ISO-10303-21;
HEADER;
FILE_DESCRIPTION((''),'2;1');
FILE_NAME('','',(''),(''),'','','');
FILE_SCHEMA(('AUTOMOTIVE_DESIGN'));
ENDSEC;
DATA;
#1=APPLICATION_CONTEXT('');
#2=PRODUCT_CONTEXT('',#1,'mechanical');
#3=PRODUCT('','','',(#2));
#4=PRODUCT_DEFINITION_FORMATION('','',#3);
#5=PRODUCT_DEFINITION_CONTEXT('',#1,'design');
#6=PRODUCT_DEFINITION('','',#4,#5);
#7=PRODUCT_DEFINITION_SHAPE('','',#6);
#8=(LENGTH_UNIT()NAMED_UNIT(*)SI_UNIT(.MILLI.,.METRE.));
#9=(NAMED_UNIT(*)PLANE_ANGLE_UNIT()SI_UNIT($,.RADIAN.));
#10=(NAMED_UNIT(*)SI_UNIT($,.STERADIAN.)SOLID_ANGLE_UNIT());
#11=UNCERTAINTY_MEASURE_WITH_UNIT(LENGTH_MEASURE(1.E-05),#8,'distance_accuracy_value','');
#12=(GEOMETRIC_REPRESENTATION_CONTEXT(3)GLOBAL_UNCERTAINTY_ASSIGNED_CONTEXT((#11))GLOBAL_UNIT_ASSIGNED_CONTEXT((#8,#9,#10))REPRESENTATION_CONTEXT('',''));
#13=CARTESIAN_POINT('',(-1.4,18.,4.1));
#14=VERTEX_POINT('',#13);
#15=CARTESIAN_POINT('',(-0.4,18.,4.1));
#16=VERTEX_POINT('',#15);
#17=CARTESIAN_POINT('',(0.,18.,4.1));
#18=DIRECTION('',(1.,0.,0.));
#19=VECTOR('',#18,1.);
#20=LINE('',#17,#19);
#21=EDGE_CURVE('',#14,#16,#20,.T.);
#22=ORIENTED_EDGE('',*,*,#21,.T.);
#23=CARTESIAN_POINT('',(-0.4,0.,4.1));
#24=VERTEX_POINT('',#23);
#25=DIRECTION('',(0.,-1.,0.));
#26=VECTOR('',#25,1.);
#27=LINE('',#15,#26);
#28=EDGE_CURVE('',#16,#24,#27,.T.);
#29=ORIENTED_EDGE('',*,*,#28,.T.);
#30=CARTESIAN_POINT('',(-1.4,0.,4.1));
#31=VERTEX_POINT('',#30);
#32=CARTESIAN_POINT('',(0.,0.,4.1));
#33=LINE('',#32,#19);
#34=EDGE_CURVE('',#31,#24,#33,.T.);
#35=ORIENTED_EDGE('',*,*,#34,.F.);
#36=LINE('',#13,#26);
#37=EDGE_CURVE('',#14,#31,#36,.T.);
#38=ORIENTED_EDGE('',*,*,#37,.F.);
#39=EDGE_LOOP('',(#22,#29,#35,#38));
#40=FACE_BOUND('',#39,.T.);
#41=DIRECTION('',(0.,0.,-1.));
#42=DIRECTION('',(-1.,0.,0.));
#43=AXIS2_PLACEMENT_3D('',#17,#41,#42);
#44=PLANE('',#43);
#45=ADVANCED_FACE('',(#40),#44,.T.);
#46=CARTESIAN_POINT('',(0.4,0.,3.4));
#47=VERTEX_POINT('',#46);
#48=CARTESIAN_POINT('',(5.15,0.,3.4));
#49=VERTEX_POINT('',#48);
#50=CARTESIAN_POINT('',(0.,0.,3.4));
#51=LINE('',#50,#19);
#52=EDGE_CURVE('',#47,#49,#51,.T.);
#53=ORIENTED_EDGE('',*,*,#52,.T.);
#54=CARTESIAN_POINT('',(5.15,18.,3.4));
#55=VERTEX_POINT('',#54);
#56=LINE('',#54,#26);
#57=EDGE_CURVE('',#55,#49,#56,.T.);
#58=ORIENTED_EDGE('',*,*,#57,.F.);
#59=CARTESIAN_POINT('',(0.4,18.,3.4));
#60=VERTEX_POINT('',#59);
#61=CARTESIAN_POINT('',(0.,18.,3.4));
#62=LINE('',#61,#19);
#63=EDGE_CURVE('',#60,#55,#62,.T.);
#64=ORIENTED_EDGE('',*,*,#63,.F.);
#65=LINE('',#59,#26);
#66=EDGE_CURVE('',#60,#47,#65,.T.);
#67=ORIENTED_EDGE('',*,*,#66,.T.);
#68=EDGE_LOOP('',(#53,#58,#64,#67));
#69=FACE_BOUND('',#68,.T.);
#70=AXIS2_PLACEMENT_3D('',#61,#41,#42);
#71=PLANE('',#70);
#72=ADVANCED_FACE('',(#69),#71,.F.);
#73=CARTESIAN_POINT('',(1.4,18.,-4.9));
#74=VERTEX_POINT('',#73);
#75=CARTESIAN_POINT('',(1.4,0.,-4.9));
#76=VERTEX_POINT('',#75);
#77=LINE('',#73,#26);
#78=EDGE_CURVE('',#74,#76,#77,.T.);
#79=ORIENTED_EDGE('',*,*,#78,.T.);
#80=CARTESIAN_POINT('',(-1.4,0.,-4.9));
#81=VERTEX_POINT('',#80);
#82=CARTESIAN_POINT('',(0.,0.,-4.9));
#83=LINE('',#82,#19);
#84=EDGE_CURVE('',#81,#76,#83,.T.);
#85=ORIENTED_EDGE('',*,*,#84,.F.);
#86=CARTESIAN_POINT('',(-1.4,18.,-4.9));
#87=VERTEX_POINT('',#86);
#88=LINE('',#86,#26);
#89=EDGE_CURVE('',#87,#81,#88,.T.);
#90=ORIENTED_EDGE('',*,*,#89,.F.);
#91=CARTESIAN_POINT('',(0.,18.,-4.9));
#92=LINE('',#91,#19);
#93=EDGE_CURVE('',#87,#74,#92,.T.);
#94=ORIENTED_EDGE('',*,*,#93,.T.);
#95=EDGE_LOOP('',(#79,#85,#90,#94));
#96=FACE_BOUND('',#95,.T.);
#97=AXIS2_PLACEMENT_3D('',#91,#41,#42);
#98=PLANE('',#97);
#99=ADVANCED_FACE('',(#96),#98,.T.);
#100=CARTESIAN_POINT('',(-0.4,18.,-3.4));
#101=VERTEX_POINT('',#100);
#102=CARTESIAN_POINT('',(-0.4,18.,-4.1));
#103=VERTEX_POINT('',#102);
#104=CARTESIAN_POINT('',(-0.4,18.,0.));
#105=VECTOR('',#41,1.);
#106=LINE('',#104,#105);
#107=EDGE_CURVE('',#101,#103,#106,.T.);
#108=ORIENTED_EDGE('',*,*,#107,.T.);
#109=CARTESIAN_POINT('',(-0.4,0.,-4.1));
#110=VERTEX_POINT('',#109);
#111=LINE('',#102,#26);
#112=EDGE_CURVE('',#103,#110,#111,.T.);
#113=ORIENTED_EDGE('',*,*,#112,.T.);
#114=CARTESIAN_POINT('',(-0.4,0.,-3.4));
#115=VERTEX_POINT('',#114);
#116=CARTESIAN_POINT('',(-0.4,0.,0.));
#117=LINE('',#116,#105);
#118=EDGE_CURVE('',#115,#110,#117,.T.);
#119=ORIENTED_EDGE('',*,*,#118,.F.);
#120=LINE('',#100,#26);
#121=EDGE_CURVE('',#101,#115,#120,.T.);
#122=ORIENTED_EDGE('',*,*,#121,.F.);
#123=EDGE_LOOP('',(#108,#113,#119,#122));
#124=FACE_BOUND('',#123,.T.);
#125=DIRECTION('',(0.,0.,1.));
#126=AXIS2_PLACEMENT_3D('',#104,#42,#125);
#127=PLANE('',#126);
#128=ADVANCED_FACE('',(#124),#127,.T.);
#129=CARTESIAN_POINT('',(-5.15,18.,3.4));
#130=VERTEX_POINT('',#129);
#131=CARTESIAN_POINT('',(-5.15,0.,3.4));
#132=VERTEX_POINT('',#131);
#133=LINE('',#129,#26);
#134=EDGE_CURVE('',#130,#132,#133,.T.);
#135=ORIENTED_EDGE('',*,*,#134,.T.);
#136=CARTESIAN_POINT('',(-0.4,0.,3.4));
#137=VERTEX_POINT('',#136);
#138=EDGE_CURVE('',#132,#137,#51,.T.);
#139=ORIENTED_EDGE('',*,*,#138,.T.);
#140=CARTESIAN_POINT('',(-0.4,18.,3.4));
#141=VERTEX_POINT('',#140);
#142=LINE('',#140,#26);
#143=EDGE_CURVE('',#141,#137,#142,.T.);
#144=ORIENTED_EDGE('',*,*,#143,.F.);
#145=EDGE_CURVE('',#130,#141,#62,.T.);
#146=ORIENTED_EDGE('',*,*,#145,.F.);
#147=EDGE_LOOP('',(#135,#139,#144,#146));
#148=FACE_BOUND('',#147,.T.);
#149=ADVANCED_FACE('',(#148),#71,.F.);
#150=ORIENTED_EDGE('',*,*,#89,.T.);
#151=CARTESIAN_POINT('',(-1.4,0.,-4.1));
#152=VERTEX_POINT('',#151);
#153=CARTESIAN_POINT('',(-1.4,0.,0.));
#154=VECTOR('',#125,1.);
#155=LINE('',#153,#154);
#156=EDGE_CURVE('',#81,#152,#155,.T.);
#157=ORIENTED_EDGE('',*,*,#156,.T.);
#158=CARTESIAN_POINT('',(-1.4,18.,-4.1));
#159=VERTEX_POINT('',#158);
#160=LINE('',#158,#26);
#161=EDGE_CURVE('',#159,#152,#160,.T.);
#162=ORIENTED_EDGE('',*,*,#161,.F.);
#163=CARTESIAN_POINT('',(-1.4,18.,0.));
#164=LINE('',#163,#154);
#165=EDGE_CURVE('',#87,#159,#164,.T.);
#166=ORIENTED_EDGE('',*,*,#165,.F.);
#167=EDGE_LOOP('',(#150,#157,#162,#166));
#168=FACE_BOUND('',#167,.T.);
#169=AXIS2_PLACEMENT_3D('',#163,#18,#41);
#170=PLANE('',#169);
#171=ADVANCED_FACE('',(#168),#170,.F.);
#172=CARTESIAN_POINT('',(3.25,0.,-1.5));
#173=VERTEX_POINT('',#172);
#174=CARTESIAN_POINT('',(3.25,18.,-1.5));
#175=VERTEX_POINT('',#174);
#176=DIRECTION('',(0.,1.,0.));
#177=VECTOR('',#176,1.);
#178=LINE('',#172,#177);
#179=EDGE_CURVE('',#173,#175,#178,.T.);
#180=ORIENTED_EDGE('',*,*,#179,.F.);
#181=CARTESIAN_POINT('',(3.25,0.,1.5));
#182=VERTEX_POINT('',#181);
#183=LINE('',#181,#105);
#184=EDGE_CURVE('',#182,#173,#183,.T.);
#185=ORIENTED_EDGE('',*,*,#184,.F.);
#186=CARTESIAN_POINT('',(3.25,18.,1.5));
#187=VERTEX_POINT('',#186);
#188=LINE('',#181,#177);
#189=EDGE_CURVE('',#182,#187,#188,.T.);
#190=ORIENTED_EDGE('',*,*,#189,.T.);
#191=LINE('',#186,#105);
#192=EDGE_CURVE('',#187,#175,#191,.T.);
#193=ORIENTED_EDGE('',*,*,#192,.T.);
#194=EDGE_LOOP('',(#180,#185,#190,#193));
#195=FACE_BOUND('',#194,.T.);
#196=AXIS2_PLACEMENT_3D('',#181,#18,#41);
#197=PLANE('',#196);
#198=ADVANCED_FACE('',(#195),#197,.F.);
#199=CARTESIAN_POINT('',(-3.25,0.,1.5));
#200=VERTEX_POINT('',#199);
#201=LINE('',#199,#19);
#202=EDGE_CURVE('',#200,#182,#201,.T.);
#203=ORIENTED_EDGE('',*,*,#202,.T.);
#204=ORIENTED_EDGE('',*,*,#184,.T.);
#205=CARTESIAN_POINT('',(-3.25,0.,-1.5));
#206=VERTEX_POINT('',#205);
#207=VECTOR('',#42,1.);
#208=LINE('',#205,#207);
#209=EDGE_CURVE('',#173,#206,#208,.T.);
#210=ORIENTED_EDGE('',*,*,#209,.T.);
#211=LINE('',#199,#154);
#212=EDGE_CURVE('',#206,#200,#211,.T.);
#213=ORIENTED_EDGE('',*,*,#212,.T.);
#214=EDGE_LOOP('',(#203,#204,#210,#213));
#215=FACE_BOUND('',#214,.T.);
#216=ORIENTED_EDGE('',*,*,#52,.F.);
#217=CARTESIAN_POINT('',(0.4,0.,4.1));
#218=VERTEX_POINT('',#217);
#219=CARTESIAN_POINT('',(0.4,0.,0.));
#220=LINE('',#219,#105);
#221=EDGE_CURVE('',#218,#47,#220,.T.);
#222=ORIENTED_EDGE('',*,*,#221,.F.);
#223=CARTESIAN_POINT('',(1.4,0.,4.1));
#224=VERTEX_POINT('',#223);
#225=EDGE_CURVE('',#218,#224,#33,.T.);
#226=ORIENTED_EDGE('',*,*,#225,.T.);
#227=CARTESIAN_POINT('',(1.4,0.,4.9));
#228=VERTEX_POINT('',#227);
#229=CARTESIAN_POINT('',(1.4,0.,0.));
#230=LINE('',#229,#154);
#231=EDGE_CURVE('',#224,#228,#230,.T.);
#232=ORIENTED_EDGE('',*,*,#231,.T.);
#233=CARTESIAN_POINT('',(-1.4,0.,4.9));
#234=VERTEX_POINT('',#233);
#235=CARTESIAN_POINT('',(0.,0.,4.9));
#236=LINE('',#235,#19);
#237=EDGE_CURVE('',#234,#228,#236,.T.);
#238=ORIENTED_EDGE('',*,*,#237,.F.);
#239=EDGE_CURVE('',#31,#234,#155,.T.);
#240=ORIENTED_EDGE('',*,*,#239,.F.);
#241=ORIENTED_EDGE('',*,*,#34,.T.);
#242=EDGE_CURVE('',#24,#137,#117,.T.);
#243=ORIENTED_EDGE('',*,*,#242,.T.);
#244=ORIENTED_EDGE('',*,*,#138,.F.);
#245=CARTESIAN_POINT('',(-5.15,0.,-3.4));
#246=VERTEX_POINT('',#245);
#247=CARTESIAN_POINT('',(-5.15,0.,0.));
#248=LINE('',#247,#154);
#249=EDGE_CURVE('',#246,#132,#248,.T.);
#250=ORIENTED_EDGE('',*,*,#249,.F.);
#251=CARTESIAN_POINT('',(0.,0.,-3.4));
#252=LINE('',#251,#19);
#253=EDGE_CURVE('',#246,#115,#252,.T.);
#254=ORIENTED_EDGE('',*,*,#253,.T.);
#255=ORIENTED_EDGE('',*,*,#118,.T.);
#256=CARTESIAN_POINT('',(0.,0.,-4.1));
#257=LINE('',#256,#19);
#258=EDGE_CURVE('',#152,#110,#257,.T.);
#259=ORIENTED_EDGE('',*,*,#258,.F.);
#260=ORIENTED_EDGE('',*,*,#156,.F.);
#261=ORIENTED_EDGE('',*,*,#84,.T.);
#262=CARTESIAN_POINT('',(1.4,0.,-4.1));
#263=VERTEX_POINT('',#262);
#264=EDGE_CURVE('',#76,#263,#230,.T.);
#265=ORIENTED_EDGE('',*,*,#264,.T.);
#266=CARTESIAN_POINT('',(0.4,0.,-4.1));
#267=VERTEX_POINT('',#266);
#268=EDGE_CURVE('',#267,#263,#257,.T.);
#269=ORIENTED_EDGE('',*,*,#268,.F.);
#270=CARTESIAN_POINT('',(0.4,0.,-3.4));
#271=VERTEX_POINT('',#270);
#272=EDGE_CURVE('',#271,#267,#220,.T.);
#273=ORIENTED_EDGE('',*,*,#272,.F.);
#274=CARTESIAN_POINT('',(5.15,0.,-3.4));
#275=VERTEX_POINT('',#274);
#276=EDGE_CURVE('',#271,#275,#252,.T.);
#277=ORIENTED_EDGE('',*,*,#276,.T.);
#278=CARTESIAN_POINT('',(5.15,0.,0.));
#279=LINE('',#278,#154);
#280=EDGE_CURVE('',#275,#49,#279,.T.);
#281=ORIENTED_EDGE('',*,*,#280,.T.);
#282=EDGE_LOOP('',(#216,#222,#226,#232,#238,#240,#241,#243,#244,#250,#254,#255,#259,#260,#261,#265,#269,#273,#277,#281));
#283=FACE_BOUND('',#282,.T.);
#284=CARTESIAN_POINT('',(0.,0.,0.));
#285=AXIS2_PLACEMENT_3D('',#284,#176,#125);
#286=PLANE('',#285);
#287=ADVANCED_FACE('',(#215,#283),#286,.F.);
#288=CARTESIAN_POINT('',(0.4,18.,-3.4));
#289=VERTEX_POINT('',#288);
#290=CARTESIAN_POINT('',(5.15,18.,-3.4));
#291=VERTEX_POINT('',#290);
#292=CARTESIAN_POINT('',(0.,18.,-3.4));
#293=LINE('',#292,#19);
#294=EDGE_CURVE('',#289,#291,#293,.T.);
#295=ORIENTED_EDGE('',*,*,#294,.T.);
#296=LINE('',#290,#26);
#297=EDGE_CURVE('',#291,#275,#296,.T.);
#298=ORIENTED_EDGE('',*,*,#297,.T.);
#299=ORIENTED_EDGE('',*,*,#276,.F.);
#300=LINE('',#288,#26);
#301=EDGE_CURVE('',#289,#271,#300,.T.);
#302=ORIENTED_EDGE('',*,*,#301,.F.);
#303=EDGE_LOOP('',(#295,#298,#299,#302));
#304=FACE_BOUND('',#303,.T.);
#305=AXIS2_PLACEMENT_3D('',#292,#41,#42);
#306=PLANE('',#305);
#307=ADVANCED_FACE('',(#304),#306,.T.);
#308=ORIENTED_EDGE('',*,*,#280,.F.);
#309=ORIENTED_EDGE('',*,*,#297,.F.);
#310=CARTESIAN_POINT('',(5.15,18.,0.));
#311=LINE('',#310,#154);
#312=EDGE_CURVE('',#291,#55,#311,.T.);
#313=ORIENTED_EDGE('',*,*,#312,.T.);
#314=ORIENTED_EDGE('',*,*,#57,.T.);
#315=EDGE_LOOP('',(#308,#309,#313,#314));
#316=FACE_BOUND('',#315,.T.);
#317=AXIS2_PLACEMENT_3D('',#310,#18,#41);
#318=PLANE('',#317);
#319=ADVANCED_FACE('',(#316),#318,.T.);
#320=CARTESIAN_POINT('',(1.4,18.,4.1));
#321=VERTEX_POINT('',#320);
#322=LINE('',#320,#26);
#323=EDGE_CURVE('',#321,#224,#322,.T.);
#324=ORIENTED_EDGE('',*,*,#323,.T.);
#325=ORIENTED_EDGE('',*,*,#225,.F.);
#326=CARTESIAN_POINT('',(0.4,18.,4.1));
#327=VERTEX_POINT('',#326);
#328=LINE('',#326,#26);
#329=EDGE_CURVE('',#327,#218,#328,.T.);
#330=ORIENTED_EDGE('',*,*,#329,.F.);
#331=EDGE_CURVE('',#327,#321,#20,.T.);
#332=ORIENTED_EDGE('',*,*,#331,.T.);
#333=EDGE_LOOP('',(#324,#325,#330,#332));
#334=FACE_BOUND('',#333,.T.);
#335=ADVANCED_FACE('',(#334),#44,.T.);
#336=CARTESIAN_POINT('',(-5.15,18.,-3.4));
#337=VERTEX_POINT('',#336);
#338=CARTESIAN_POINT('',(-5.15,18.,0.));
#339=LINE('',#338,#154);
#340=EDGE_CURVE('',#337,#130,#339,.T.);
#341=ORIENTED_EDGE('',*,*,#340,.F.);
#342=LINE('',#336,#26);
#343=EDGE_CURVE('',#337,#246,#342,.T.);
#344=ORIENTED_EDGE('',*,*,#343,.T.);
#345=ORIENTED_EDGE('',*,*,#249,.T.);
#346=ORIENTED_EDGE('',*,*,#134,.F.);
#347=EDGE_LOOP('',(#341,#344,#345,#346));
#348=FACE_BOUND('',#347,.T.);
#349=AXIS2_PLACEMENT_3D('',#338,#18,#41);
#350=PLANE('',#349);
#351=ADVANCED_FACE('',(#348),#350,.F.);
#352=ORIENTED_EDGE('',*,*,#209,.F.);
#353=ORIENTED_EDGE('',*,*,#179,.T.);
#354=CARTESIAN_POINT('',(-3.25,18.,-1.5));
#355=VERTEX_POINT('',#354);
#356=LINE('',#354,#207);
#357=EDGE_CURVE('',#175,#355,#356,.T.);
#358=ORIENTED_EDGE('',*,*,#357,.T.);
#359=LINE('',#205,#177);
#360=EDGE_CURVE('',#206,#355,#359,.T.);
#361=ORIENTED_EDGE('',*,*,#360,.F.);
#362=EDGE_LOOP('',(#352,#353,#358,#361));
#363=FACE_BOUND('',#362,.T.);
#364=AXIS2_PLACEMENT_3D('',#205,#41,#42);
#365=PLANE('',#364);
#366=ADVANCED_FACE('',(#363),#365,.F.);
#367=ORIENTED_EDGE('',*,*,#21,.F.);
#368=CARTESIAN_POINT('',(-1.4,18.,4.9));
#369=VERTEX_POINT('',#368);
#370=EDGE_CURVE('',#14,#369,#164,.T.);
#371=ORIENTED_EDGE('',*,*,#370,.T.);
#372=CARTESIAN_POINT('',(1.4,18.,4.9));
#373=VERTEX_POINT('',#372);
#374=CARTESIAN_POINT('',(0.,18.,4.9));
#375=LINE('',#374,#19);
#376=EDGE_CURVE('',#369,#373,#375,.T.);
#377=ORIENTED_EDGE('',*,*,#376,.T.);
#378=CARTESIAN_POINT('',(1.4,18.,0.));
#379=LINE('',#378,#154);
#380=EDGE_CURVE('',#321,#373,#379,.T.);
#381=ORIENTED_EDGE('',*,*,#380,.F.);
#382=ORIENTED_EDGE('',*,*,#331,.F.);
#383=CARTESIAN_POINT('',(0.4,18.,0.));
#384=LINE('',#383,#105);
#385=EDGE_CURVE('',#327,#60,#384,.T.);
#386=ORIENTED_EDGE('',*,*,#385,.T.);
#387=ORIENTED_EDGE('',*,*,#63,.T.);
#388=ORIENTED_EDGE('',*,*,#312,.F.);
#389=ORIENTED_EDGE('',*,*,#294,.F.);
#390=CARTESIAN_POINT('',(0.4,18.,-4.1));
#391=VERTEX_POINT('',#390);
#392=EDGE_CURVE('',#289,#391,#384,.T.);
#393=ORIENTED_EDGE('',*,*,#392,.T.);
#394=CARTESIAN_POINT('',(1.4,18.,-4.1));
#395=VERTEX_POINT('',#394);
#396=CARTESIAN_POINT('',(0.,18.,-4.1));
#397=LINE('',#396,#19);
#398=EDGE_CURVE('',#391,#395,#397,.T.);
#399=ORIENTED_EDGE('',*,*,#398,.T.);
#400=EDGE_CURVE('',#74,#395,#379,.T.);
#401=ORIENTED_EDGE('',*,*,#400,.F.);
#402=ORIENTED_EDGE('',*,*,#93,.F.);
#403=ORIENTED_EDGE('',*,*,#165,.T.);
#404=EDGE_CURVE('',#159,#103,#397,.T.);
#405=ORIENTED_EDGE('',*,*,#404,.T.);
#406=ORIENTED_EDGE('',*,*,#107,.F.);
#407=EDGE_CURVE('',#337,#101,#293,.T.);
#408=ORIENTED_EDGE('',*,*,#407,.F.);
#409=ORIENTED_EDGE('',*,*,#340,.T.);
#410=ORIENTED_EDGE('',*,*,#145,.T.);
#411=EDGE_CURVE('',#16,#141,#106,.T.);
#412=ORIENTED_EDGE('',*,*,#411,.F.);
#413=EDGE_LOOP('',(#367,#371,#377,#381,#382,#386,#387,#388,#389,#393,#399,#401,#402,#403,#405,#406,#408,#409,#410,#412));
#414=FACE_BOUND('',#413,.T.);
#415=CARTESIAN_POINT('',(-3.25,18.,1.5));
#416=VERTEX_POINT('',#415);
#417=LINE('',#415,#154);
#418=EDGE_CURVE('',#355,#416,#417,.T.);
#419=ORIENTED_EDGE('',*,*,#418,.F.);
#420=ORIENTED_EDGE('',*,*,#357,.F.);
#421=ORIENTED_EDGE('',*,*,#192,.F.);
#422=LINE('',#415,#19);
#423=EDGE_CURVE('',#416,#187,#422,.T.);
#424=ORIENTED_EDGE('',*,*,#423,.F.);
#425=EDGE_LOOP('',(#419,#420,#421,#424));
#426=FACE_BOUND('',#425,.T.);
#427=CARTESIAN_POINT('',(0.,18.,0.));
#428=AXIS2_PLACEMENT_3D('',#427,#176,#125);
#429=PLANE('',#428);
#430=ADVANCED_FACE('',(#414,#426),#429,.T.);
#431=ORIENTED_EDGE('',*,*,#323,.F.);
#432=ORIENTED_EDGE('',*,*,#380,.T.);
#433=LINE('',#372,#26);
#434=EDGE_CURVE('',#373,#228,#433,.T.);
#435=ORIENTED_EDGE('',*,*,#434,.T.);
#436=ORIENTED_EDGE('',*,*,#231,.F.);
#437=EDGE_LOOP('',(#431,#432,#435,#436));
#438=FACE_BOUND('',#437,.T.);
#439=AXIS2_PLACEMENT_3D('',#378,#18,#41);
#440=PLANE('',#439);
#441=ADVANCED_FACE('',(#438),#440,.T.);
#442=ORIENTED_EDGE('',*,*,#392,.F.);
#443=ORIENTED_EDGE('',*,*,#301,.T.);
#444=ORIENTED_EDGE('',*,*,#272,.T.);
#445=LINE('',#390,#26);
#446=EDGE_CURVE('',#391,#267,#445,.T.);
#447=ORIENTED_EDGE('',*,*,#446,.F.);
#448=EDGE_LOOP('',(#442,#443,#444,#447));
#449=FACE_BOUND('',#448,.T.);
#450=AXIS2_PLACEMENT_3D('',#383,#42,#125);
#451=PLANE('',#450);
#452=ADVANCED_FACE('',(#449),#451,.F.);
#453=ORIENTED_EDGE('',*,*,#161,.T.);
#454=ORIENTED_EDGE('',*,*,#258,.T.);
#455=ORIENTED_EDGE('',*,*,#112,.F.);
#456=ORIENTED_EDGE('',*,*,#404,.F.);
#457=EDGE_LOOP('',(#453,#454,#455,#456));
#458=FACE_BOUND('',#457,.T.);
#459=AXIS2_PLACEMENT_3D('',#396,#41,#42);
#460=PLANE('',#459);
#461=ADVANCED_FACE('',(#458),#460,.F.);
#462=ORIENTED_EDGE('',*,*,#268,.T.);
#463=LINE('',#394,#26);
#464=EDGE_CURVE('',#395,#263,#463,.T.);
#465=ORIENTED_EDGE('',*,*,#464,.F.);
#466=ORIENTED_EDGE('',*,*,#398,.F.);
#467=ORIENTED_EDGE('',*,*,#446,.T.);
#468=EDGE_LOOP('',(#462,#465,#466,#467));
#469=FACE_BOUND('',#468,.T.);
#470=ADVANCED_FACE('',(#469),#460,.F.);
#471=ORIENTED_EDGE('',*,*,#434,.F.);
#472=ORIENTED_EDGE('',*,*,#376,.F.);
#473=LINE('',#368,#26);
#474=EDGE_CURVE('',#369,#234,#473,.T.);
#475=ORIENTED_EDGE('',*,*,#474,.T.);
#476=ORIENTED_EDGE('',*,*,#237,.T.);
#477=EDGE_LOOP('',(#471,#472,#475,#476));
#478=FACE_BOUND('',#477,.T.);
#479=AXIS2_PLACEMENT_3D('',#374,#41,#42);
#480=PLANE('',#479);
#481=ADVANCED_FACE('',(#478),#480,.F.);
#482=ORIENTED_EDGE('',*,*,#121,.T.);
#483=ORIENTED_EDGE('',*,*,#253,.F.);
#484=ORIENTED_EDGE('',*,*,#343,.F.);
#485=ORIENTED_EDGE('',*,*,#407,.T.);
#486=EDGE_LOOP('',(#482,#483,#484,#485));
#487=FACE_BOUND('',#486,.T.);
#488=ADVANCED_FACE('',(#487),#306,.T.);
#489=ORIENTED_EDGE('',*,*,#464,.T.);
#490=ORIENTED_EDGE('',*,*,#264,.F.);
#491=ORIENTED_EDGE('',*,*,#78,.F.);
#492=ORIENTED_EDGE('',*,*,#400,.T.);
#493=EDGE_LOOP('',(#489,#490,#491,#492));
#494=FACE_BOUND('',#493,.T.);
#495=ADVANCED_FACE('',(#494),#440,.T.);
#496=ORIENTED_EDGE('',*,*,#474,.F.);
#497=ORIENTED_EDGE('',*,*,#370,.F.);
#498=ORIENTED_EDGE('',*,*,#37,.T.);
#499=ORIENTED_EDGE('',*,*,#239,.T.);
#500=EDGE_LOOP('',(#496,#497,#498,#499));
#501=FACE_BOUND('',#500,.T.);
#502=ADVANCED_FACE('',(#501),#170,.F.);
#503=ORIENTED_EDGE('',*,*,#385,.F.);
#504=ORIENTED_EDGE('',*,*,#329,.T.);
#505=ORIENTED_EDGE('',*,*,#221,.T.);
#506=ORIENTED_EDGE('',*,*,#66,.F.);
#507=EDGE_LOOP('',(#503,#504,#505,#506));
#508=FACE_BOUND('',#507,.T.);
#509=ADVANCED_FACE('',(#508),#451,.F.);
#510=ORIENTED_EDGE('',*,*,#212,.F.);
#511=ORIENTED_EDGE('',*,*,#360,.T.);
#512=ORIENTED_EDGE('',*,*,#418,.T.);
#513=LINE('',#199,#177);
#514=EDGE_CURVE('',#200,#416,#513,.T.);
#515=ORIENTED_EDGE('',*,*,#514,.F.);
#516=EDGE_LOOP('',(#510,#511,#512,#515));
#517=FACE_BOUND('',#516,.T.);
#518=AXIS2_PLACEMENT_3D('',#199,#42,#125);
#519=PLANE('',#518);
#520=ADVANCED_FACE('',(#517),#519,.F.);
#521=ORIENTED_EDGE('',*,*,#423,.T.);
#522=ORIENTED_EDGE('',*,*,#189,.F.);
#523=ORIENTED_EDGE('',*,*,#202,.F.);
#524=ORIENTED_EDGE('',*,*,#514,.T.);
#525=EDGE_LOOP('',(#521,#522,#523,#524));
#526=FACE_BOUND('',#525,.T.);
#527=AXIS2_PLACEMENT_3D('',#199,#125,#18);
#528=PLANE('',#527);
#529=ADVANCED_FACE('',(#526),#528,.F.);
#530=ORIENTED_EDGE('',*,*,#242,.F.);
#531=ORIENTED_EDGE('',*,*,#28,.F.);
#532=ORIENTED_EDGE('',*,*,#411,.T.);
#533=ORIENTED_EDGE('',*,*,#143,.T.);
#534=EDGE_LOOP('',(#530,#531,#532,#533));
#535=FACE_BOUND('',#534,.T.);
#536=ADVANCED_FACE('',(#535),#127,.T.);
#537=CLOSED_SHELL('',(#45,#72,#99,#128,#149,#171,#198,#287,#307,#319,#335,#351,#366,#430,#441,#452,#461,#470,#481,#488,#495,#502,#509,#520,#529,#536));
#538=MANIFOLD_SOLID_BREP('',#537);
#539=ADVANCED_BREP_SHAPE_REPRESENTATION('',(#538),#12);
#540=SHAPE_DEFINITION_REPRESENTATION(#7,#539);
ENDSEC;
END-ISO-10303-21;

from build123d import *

# Parameters (mm, degrees)
SKETCH3_W           = 2.8
SKETCH3_H           = 0.8
SKETCH3_W_2         = 0.8
SKETCH3_H_2         = 0.1
SKETCH3_H_3         = 0.4
SKETCH3_H_4         = 6.8
SKETCH3_W_3         = 0.1
SKETCH3_W_4         = 4.65
BOSS_EXTRUDE7_DEPTH = 18
SKETCH24_W          = 6.5
SKETCH24_H          = 3
CUT_EXTRUDE25_DEPTH = 18


with BuildPart() as part:
    # Sketch3 → Boss-Extrude7 (new body)
    with BuildSketch(Plane(origin=(0, 0, 0), x_dir=(1, 0, 0), z_dir=(0, 1, 0))):
        with Locations((0, 4.5)):
            Rectangle(SKETCH3_W, SKETCH3_H)
        with Locations((0, 4.05)):
            Rectangle(SKETCH3_W_2, SKETCH3_H_2)
        with Locations((0, 3.95)):
            Rectangle(SKETCH3_W_2, SKETCH3_H_2)
        with Locations((0, 3.7)):
            Rectangle(SKETCH3_W_2, SKETCH3_H_3)
        with Locations((0, 3.45)):
            Rectangle(SKETCH3_W_2, SKETCH3_H_2)
        Rectangle(SKETCH3_W_2, SKETCH3_H_4)
        with Locations((0.45, 0)):
            Rectangle(SKETCH3_W_3, SKETCH3_H_4)
        with Locations((2.825, 0)):
            Rectangle(SKETCH3_W_4, SKETCH3_H_4)
        with Locations((-0.45, 0)):
            Rectangle(SKETCH3_W_3, SKETCH3_H_4)
        with Locations((-2.825, 0)):
            Rectangle(SKETCH3_W_4, SKETCH3_H_4)
        with Locations((0, -3.45)):
            Rectangle(SKETCH3_W_2, SKETCH3_H_2)
        with Locations((0, -3.7)):
            Rectangle(SKETCH3_W_2, SKETCH3_H_3)
        with Locations((0, -3.95)):
            Rectangle(SKETCH3_W_2, SKETCH3_H_2)
        with Locations((0, -4.05)):
            Rectangle(SKETCH3_W_2, SKETCH3_H_2)
        with Locations((0, -4.5)):
            Rectangle(SKETCH3_W, SKETCH3_H)
    extrude(amount=BOSS_EXTRUDE7_DEPTH)

    # Sketch24 → Cut-Extrude25 (cut)
    with BuildSketch(Plane(origin=(0, 18, 0), x_dir=(1, 0, 0), z_dir=(0, 1, 0))):
        Rectangle(SKETCH24_W, SKETCH24_H)
    extrude(amount=-CUT_EXTRUDE25_DEPTH, mode=Mode.SUBTRACT)


solid = part.part
